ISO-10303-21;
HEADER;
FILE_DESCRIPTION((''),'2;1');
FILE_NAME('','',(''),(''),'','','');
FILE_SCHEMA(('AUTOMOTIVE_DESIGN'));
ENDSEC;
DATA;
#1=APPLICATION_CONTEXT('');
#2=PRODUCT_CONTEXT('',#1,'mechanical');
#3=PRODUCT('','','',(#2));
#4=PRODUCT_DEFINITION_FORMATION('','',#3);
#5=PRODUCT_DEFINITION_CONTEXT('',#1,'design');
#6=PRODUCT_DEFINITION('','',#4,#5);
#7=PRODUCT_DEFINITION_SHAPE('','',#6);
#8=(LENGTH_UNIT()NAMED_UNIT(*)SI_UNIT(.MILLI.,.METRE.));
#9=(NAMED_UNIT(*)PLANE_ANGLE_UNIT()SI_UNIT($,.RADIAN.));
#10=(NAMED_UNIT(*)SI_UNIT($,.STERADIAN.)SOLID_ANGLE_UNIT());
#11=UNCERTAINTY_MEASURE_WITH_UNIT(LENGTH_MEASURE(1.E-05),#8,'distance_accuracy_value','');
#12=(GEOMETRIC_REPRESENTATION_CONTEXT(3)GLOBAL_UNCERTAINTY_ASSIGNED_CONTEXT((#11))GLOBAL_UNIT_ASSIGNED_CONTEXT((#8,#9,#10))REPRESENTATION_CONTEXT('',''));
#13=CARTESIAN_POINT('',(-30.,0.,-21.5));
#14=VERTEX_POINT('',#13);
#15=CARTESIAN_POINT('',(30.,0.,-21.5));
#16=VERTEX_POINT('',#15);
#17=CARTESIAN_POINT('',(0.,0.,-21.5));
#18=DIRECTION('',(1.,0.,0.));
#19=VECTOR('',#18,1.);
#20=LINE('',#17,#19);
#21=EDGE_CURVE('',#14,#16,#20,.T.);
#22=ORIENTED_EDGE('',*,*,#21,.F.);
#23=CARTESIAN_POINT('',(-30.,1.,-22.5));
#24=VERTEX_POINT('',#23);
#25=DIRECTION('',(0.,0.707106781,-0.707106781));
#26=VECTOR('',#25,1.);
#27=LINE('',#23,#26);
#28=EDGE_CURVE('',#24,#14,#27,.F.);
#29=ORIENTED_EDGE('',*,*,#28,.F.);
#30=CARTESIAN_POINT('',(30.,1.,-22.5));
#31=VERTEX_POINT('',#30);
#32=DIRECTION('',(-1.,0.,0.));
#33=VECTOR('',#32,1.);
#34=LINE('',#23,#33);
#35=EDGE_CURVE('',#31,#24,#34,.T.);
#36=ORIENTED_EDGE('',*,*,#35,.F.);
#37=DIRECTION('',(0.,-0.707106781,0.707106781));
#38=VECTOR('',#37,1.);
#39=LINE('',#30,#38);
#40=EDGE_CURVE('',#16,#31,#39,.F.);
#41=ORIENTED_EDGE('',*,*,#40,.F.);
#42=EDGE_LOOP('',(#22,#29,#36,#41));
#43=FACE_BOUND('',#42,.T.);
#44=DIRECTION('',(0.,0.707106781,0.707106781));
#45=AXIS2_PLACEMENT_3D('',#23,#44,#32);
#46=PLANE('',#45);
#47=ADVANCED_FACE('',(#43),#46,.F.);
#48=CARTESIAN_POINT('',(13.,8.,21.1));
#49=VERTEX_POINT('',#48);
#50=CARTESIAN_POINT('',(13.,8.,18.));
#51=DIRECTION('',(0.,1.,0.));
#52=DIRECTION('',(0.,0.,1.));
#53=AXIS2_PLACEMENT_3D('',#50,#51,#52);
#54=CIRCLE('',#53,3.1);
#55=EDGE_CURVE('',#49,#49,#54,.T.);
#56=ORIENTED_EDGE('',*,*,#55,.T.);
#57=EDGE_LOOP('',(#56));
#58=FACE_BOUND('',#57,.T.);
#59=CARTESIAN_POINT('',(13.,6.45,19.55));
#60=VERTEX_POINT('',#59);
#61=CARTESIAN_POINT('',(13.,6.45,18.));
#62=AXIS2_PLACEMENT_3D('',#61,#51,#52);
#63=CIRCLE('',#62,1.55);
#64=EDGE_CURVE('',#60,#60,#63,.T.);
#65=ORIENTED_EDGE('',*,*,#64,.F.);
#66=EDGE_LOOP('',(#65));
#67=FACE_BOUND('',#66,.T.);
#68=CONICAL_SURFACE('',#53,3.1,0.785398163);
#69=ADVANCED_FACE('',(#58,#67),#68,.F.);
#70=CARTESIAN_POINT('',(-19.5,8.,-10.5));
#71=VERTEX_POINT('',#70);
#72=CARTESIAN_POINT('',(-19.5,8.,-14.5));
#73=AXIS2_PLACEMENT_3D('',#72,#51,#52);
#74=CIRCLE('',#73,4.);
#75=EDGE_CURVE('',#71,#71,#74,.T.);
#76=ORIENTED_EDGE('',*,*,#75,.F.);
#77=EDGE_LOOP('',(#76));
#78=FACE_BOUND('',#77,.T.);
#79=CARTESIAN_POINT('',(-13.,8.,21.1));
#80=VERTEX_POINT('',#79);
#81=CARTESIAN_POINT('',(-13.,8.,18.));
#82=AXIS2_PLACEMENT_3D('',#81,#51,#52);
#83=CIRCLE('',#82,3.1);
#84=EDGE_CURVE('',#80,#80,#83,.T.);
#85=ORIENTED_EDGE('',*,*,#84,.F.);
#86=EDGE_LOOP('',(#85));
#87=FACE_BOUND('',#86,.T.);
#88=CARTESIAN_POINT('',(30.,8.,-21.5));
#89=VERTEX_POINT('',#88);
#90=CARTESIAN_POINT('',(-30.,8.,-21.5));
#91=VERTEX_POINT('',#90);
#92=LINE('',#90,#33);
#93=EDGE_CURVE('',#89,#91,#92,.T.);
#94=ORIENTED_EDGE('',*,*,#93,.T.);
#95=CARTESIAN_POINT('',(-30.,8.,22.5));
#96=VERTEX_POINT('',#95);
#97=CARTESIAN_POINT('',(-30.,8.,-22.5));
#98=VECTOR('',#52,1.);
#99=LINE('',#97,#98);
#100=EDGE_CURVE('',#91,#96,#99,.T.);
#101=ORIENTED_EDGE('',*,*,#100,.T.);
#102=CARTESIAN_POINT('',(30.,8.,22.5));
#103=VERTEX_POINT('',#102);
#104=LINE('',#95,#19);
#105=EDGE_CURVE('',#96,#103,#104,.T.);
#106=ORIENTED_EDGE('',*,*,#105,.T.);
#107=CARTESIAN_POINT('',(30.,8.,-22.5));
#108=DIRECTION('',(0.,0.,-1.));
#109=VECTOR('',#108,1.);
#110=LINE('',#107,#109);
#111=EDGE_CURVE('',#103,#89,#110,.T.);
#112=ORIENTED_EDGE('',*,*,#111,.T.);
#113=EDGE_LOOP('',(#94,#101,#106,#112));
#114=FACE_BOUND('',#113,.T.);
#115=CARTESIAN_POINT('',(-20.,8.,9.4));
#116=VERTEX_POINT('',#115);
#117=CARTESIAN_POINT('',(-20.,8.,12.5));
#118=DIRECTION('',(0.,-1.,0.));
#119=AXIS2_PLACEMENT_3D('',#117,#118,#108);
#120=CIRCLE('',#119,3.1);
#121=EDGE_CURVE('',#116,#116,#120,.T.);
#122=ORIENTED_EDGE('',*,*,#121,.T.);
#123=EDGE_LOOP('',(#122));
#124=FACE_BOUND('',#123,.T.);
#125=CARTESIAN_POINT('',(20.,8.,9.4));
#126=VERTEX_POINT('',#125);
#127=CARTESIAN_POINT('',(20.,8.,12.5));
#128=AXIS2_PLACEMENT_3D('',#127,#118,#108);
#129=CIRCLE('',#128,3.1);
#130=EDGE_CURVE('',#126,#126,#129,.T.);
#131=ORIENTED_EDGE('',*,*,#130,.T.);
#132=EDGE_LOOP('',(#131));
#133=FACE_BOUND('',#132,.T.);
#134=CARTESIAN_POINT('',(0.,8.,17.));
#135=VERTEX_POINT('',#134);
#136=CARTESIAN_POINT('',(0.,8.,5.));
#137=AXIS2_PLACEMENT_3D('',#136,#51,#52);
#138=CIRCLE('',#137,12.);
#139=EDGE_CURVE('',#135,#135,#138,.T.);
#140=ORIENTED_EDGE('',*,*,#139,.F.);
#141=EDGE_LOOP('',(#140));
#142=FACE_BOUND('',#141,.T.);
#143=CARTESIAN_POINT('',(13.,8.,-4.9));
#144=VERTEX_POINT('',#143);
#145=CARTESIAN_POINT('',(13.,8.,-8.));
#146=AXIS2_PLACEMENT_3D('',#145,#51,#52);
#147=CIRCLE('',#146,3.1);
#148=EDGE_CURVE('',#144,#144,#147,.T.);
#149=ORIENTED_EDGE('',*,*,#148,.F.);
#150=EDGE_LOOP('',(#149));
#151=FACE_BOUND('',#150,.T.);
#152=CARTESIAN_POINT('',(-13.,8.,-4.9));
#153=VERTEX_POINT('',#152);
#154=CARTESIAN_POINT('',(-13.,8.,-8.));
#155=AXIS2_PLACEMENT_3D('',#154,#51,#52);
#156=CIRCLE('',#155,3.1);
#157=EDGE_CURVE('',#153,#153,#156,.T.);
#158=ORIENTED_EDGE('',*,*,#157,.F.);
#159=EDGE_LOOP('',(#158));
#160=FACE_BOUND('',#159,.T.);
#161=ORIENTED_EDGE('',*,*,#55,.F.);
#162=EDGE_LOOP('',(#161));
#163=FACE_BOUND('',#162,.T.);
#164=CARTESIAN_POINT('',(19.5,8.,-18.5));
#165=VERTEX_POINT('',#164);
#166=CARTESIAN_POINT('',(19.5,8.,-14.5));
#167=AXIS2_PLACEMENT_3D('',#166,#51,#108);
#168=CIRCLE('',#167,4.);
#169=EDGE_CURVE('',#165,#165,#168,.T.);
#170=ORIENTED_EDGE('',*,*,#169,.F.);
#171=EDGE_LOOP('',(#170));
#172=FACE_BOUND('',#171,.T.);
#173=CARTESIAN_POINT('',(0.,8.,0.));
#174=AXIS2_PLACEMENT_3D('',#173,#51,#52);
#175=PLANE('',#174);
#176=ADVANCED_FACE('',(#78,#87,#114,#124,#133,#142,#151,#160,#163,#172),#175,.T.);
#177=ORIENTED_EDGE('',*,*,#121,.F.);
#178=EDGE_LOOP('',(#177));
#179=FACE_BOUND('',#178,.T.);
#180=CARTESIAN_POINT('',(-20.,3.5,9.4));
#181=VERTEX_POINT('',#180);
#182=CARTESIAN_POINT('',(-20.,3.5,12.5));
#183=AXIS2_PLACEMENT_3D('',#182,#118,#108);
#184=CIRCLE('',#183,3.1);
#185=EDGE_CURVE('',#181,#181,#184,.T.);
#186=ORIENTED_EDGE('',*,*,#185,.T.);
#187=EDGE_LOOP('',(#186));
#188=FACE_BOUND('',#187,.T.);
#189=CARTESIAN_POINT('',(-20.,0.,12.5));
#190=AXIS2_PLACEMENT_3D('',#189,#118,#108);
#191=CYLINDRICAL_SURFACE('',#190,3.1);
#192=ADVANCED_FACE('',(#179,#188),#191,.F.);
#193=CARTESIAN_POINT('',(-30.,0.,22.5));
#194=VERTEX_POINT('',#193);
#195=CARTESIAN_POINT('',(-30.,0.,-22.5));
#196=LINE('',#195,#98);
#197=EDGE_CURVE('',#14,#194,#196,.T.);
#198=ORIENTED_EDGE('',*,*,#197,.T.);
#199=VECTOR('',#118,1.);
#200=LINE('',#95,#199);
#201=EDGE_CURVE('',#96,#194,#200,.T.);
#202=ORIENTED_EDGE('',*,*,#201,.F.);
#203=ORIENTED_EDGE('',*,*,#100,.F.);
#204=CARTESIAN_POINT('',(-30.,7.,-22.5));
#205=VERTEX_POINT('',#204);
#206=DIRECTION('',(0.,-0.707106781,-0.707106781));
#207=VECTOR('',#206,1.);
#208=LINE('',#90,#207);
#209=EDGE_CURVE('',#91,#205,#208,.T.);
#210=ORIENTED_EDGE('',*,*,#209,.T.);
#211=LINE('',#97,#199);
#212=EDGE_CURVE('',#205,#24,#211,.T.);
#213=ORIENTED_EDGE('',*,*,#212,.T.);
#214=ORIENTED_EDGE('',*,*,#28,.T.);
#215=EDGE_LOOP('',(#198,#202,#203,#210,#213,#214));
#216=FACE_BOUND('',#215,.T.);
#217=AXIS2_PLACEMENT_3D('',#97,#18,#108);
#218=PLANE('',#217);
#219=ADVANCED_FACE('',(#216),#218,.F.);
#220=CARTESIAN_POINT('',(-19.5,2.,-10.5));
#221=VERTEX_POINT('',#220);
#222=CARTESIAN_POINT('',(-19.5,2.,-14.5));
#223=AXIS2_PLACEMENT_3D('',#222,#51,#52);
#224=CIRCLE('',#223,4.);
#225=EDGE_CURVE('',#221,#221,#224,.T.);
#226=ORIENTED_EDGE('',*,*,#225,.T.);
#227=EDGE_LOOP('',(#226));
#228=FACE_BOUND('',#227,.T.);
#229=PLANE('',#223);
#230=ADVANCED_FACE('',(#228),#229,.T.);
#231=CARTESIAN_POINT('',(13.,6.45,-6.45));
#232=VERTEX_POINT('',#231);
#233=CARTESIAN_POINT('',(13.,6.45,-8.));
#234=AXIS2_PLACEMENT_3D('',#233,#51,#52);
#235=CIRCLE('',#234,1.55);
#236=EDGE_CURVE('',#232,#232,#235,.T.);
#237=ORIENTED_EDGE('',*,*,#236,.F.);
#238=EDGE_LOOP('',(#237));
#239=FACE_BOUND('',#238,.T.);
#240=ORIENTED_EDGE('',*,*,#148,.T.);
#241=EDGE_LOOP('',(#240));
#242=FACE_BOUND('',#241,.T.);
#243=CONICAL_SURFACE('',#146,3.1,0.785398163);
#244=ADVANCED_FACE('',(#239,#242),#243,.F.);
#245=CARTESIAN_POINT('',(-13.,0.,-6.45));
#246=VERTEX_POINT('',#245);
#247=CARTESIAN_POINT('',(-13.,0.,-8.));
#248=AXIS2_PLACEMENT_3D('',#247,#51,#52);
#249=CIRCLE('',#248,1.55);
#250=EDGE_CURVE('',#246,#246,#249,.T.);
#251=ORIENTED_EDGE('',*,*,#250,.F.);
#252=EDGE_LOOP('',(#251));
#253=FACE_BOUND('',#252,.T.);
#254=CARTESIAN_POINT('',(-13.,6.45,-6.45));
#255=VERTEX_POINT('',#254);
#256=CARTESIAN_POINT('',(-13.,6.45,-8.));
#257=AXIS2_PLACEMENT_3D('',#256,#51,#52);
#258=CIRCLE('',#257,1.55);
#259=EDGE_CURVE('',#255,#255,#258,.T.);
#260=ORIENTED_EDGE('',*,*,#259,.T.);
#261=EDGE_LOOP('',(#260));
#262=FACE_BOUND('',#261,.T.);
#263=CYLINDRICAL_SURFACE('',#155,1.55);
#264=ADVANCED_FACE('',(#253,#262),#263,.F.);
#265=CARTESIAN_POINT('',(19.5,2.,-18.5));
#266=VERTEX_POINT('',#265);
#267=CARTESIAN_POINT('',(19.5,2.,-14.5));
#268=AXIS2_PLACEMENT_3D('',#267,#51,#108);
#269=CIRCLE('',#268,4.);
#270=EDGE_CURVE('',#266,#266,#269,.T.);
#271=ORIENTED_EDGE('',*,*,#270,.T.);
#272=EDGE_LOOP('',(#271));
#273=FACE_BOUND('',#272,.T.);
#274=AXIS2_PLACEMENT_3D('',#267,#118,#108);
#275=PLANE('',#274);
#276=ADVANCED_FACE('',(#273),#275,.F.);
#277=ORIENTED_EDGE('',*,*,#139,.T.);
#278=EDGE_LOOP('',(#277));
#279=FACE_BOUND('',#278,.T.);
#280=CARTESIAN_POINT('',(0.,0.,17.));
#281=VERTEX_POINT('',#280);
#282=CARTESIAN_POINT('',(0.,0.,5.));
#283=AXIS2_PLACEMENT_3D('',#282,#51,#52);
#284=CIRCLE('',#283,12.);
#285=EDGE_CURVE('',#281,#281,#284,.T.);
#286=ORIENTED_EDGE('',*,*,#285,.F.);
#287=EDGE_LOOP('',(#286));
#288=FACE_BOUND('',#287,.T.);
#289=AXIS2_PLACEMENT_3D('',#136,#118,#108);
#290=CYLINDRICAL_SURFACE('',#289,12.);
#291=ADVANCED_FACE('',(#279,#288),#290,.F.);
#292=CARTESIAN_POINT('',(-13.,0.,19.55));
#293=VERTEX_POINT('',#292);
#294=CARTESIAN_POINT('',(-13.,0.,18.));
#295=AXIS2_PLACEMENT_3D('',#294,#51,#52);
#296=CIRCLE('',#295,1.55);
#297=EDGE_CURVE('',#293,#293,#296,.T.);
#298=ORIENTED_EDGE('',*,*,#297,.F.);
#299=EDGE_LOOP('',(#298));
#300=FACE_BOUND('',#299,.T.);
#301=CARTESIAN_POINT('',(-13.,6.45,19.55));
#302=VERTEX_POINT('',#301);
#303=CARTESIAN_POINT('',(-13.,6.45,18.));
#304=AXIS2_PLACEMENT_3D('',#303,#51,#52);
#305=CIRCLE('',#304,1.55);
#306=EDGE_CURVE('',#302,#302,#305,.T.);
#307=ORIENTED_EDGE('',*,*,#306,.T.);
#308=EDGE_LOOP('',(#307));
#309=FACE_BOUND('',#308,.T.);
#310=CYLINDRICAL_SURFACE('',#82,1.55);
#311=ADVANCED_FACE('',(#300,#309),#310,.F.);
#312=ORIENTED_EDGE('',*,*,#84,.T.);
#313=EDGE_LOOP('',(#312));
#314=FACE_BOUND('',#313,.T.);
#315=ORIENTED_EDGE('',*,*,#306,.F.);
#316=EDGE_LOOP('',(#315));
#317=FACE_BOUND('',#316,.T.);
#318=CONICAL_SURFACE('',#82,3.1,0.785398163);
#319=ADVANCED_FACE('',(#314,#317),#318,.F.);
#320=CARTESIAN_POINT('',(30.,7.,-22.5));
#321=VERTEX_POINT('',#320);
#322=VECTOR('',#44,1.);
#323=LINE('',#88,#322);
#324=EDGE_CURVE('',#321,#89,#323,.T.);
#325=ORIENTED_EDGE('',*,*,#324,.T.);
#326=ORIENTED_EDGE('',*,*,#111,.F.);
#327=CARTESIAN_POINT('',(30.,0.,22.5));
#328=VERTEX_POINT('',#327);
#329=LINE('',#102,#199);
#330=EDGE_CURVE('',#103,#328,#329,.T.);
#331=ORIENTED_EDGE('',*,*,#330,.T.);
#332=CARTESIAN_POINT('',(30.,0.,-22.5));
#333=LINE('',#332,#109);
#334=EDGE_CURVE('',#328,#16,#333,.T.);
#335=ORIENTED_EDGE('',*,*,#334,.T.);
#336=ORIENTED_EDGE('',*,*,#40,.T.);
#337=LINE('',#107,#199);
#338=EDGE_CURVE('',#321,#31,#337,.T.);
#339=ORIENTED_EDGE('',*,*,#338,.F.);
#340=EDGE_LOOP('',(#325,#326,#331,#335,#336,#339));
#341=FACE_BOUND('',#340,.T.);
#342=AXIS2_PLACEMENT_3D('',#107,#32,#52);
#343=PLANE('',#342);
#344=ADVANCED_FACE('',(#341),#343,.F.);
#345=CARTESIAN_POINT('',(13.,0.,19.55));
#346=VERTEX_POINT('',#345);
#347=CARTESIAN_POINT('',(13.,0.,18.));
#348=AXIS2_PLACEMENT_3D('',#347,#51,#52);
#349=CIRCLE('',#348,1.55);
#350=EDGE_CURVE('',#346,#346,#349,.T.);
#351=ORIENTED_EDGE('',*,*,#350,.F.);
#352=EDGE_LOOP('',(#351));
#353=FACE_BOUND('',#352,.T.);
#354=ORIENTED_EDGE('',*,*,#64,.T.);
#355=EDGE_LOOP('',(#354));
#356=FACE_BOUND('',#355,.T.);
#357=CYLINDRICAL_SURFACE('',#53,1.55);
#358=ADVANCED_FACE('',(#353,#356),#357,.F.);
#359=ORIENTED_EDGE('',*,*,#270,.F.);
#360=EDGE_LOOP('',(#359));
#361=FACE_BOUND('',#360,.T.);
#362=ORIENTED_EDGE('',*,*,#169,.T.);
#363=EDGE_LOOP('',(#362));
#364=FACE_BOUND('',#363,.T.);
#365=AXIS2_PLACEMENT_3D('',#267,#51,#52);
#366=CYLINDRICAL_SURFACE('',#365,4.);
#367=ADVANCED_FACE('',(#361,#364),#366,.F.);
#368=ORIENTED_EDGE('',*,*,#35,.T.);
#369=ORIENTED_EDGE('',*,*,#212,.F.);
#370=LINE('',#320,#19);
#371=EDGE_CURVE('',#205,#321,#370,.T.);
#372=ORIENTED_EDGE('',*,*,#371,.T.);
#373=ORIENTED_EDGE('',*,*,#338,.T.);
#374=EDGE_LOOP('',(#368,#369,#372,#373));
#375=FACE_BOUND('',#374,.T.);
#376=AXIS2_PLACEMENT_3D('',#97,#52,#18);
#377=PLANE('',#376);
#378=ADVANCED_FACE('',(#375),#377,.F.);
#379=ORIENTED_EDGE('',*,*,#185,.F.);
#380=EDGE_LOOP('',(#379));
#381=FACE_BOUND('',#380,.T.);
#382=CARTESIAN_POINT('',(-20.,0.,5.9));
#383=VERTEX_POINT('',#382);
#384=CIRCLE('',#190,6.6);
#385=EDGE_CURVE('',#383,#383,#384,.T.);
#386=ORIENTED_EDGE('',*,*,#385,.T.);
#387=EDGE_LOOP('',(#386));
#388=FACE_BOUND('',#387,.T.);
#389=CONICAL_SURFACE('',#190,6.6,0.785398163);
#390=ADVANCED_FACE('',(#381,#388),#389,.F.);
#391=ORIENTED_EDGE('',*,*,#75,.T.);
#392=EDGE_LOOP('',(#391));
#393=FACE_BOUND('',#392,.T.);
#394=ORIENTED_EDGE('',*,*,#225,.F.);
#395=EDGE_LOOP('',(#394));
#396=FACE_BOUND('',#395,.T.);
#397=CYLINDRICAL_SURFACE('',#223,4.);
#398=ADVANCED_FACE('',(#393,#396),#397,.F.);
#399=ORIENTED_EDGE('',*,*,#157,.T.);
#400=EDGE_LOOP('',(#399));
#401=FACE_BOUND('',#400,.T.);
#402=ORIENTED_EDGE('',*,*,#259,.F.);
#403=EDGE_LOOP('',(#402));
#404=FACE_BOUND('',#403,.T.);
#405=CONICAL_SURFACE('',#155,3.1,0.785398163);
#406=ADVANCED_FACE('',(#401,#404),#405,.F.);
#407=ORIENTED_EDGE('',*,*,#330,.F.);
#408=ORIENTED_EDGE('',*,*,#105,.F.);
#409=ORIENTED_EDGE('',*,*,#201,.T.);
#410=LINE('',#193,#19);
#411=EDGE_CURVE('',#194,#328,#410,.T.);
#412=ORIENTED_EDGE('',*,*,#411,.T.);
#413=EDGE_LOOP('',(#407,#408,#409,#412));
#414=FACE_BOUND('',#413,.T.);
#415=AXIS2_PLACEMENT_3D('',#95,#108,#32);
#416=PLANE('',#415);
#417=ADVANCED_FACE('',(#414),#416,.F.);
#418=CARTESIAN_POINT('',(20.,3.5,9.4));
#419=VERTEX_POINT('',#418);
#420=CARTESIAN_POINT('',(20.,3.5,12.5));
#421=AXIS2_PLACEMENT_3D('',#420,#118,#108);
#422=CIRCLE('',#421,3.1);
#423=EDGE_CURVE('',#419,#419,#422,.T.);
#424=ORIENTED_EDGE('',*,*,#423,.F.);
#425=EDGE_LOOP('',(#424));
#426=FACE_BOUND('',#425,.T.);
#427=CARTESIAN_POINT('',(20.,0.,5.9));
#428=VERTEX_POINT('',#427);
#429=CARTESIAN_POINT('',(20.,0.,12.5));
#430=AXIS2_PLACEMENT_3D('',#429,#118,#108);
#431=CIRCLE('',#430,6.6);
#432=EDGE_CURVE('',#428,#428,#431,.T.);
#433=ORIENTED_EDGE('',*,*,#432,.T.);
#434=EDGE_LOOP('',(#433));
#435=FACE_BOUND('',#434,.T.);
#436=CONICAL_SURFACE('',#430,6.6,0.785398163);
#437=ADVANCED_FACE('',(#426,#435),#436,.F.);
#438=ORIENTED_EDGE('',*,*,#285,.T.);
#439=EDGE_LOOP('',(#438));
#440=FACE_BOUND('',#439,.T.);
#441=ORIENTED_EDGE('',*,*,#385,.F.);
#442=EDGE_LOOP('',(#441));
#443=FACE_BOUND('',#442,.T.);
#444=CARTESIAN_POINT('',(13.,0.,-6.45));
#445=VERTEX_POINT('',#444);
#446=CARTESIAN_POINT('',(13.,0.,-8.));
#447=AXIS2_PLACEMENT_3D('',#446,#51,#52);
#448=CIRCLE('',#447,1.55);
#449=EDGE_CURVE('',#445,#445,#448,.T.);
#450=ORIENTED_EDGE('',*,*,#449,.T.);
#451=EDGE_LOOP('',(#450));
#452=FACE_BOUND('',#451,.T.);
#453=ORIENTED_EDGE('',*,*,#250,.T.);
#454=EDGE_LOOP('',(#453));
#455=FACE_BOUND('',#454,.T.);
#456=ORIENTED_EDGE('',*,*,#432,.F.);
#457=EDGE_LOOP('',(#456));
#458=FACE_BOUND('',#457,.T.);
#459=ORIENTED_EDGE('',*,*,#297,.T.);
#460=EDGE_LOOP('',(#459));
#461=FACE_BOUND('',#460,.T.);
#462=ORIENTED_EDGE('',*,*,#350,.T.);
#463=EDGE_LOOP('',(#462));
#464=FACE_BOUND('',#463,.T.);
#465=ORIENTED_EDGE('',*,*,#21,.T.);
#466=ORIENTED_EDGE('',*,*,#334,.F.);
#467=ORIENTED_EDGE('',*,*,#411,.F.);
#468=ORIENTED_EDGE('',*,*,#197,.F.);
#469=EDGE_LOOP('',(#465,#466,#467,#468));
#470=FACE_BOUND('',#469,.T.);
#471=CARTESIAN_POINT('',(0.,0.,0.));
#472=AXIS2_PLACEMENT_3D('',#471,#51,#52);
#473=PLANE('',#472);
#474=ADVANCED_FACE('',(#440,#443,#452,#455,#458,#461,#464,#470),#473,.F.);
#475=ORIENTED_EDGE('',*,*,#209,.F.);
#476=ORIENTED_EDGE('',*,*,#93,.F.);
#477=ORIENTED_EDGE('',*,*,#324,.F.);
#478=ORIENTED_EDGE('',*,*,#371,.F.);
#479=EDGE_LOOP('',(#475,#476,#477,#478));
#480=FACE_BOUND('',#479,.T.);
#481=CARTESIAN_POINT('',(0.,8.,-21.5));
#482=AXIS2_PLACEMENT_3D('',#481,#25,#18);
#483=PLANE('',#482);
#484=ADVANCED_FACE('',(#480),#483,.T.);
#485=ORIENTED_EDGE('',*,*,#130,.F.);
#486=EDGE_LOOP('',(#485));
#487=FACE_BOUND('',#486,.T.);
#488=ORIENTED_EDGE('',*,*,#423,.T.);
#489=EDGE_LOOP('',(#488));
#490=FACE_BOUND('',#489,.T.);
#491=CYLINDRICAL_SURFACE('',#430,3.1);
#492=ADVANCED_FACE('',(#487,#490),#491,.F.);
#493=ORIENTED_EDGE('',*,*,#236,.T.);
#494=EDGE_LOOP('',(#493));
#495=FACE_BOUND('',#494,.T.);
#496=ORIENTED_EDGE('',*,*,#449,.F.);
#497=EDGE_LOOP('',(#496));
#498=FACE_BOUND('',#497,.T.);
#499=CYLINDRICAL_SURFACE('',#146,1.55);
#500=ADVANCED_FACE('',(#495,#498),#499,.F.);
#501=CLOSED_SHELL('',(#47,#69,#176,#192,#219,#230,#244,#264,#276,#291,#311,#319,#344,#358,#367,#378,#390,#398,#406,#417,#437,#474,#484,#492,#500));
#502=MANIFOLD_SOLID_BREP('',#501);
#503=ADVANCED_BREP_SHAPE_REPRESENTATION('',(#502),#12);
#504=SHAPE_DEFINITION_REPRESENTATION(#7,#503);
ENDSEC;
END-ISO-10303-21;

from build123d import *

# Parameters (mm, degrees)
SKETCH_1_W                  = 60
SKETCH_1_H                  = 45
SKETCH_1_R                  = 2.5
SKETCH_1_R_2                = 12
EXTRUDE_1_DEPTH             = 8
CHAMFER_1_SIZE              = 1
SKETCH_2_R                  = 4
CUT_EXTRUDE_1_DEPTH         = 6
SKETCH_3_R                  = 1.25
CUT_EXTRUDE_2_DEPTH         = 39.34383914
HOLE_WIZARD_2_D             = 6.2
HOLE_WIZARD_2_CSINK_D       = 13.2
HOLE_WIZARD_2_CSINK_ANGLE   = 90
HOLE_WIZARD_2_2_D           = 3.1
HOLE_WIZARD_2_2_CSINK_D     = 6.2
HOLE_WIZARD_2_2_CSINK_ANGLE = 90


with BuildPart() as part:
    # 草图1 → 凸台-拉伸1 (new body)
    with BuildSketch(Plane(origin=(0, 0, 0), x_dir=(1, 0, 0), z_dir=(0, 1, 0))):
        Rectangle(SKETCH_1_W, SKETCH_1_H)
        with Locations(Location((-20, -12.5, 0), (0, 0, 270))):
            Circle(SKETCH_1_R, mode=Mode.SUBTRACT)
        with Locations(Location((20, -12.5, 0), (0, 0, 90))):
            Circle(SKETCH_1_R, mode=Mode.SUBTRACT)
        with Locations(Location((0, -5, 0), (0, 0, 270))):
            Circle(SKETCH_1_R_2, mode=Mode.SUBTRACT)
    extrude(amount=EXTRUDE_1_DEPTH)

    # 倒角1
    chamfer_1_edges = [part.edges().sort_by_distance(p)[0] for p in [
        (0, 8, -22.5),
        (0, 0, -22.5),
    ]]
    chamfer(chamfer_1_edges, length=CHAMFER_1_SIZE)

    # 草图2 → 切除-拉伸1 (cut)
    with BuildSketch(Plane(origin=(0, 8, 0), x_dir=(1, 0, 0), z_dir=(0, 1, 0))):
        with Locations(Location((-19.5, 14.5, 0), (0, 0, 270))):
            Circle(SKETCH_2_R)
        with Locations(Location((19.5, 14.5, 0), (0, 0, 90))):
            Circle(SKETCH_2_R)
    extrude(amount=-CUT_EXTRUDE_1_DEPTH, mode=Mode.SUBTRACT)

    # 草图3 → 切除-拉伸2 (cut, through all)
    with BuildSketch(Plane(origin=(0, 0, 0), x_dir=(-1, 0, 0), z_dir=(0, -1, 0))):
        with Locations(Location((13, -18, 0), (0, 0, 90))):
            Circle(SKETCH_3_R)
        with Locations(Location((-13, -18, 0), (0, 0, 270))):
            Circle(SKETCH_3_R)
        with Locations(Location((13, 8, 0), (0, 0, 90))):
            Circle(SKETCH_3_R)
        with Locations(Location((-13, 8, 0), (0, 0, 270))):
            Circle(SKETCH_3_R)
    extrude(amount=-CUT_EXTRUDE_2_DEPTH, mode=Mode.SUBTRACT)

    # Hole Wizard 2 (through all)
    with Locations(Plane(origin=(20, 0, 12.5), x_dir=(0, 0, -1), z_dir=(0, -1, 0))):
        with Locations((0, 0), (0, -40)):
            CounterSinkHole(HOLE_WIZARD_2_D / 2, HOLE_WIZARD_2_CSINK_D / 2, counter_sink_angle=HOLE_WIZARD_2_CSINK_ANGLE)

    # Hole Wizard 2 2 (through all)
    with Locations(Plane(origin=(-13, 8, -8), x_dir=(0, 0, 1), z_dir=(0, 1, 0))):
        with Locations((0, 0), (26, 0), (26, 26), (0, 26)):
            CounterSinkHole(HOLE_WIZARD_2_2_D / 2, HOLE_WIZARD_2_2_CSINK_D / 2, counter_sink_angle=HOLE_WIZARD_2_2_CSINK_ANGLE)


solid = part.part
